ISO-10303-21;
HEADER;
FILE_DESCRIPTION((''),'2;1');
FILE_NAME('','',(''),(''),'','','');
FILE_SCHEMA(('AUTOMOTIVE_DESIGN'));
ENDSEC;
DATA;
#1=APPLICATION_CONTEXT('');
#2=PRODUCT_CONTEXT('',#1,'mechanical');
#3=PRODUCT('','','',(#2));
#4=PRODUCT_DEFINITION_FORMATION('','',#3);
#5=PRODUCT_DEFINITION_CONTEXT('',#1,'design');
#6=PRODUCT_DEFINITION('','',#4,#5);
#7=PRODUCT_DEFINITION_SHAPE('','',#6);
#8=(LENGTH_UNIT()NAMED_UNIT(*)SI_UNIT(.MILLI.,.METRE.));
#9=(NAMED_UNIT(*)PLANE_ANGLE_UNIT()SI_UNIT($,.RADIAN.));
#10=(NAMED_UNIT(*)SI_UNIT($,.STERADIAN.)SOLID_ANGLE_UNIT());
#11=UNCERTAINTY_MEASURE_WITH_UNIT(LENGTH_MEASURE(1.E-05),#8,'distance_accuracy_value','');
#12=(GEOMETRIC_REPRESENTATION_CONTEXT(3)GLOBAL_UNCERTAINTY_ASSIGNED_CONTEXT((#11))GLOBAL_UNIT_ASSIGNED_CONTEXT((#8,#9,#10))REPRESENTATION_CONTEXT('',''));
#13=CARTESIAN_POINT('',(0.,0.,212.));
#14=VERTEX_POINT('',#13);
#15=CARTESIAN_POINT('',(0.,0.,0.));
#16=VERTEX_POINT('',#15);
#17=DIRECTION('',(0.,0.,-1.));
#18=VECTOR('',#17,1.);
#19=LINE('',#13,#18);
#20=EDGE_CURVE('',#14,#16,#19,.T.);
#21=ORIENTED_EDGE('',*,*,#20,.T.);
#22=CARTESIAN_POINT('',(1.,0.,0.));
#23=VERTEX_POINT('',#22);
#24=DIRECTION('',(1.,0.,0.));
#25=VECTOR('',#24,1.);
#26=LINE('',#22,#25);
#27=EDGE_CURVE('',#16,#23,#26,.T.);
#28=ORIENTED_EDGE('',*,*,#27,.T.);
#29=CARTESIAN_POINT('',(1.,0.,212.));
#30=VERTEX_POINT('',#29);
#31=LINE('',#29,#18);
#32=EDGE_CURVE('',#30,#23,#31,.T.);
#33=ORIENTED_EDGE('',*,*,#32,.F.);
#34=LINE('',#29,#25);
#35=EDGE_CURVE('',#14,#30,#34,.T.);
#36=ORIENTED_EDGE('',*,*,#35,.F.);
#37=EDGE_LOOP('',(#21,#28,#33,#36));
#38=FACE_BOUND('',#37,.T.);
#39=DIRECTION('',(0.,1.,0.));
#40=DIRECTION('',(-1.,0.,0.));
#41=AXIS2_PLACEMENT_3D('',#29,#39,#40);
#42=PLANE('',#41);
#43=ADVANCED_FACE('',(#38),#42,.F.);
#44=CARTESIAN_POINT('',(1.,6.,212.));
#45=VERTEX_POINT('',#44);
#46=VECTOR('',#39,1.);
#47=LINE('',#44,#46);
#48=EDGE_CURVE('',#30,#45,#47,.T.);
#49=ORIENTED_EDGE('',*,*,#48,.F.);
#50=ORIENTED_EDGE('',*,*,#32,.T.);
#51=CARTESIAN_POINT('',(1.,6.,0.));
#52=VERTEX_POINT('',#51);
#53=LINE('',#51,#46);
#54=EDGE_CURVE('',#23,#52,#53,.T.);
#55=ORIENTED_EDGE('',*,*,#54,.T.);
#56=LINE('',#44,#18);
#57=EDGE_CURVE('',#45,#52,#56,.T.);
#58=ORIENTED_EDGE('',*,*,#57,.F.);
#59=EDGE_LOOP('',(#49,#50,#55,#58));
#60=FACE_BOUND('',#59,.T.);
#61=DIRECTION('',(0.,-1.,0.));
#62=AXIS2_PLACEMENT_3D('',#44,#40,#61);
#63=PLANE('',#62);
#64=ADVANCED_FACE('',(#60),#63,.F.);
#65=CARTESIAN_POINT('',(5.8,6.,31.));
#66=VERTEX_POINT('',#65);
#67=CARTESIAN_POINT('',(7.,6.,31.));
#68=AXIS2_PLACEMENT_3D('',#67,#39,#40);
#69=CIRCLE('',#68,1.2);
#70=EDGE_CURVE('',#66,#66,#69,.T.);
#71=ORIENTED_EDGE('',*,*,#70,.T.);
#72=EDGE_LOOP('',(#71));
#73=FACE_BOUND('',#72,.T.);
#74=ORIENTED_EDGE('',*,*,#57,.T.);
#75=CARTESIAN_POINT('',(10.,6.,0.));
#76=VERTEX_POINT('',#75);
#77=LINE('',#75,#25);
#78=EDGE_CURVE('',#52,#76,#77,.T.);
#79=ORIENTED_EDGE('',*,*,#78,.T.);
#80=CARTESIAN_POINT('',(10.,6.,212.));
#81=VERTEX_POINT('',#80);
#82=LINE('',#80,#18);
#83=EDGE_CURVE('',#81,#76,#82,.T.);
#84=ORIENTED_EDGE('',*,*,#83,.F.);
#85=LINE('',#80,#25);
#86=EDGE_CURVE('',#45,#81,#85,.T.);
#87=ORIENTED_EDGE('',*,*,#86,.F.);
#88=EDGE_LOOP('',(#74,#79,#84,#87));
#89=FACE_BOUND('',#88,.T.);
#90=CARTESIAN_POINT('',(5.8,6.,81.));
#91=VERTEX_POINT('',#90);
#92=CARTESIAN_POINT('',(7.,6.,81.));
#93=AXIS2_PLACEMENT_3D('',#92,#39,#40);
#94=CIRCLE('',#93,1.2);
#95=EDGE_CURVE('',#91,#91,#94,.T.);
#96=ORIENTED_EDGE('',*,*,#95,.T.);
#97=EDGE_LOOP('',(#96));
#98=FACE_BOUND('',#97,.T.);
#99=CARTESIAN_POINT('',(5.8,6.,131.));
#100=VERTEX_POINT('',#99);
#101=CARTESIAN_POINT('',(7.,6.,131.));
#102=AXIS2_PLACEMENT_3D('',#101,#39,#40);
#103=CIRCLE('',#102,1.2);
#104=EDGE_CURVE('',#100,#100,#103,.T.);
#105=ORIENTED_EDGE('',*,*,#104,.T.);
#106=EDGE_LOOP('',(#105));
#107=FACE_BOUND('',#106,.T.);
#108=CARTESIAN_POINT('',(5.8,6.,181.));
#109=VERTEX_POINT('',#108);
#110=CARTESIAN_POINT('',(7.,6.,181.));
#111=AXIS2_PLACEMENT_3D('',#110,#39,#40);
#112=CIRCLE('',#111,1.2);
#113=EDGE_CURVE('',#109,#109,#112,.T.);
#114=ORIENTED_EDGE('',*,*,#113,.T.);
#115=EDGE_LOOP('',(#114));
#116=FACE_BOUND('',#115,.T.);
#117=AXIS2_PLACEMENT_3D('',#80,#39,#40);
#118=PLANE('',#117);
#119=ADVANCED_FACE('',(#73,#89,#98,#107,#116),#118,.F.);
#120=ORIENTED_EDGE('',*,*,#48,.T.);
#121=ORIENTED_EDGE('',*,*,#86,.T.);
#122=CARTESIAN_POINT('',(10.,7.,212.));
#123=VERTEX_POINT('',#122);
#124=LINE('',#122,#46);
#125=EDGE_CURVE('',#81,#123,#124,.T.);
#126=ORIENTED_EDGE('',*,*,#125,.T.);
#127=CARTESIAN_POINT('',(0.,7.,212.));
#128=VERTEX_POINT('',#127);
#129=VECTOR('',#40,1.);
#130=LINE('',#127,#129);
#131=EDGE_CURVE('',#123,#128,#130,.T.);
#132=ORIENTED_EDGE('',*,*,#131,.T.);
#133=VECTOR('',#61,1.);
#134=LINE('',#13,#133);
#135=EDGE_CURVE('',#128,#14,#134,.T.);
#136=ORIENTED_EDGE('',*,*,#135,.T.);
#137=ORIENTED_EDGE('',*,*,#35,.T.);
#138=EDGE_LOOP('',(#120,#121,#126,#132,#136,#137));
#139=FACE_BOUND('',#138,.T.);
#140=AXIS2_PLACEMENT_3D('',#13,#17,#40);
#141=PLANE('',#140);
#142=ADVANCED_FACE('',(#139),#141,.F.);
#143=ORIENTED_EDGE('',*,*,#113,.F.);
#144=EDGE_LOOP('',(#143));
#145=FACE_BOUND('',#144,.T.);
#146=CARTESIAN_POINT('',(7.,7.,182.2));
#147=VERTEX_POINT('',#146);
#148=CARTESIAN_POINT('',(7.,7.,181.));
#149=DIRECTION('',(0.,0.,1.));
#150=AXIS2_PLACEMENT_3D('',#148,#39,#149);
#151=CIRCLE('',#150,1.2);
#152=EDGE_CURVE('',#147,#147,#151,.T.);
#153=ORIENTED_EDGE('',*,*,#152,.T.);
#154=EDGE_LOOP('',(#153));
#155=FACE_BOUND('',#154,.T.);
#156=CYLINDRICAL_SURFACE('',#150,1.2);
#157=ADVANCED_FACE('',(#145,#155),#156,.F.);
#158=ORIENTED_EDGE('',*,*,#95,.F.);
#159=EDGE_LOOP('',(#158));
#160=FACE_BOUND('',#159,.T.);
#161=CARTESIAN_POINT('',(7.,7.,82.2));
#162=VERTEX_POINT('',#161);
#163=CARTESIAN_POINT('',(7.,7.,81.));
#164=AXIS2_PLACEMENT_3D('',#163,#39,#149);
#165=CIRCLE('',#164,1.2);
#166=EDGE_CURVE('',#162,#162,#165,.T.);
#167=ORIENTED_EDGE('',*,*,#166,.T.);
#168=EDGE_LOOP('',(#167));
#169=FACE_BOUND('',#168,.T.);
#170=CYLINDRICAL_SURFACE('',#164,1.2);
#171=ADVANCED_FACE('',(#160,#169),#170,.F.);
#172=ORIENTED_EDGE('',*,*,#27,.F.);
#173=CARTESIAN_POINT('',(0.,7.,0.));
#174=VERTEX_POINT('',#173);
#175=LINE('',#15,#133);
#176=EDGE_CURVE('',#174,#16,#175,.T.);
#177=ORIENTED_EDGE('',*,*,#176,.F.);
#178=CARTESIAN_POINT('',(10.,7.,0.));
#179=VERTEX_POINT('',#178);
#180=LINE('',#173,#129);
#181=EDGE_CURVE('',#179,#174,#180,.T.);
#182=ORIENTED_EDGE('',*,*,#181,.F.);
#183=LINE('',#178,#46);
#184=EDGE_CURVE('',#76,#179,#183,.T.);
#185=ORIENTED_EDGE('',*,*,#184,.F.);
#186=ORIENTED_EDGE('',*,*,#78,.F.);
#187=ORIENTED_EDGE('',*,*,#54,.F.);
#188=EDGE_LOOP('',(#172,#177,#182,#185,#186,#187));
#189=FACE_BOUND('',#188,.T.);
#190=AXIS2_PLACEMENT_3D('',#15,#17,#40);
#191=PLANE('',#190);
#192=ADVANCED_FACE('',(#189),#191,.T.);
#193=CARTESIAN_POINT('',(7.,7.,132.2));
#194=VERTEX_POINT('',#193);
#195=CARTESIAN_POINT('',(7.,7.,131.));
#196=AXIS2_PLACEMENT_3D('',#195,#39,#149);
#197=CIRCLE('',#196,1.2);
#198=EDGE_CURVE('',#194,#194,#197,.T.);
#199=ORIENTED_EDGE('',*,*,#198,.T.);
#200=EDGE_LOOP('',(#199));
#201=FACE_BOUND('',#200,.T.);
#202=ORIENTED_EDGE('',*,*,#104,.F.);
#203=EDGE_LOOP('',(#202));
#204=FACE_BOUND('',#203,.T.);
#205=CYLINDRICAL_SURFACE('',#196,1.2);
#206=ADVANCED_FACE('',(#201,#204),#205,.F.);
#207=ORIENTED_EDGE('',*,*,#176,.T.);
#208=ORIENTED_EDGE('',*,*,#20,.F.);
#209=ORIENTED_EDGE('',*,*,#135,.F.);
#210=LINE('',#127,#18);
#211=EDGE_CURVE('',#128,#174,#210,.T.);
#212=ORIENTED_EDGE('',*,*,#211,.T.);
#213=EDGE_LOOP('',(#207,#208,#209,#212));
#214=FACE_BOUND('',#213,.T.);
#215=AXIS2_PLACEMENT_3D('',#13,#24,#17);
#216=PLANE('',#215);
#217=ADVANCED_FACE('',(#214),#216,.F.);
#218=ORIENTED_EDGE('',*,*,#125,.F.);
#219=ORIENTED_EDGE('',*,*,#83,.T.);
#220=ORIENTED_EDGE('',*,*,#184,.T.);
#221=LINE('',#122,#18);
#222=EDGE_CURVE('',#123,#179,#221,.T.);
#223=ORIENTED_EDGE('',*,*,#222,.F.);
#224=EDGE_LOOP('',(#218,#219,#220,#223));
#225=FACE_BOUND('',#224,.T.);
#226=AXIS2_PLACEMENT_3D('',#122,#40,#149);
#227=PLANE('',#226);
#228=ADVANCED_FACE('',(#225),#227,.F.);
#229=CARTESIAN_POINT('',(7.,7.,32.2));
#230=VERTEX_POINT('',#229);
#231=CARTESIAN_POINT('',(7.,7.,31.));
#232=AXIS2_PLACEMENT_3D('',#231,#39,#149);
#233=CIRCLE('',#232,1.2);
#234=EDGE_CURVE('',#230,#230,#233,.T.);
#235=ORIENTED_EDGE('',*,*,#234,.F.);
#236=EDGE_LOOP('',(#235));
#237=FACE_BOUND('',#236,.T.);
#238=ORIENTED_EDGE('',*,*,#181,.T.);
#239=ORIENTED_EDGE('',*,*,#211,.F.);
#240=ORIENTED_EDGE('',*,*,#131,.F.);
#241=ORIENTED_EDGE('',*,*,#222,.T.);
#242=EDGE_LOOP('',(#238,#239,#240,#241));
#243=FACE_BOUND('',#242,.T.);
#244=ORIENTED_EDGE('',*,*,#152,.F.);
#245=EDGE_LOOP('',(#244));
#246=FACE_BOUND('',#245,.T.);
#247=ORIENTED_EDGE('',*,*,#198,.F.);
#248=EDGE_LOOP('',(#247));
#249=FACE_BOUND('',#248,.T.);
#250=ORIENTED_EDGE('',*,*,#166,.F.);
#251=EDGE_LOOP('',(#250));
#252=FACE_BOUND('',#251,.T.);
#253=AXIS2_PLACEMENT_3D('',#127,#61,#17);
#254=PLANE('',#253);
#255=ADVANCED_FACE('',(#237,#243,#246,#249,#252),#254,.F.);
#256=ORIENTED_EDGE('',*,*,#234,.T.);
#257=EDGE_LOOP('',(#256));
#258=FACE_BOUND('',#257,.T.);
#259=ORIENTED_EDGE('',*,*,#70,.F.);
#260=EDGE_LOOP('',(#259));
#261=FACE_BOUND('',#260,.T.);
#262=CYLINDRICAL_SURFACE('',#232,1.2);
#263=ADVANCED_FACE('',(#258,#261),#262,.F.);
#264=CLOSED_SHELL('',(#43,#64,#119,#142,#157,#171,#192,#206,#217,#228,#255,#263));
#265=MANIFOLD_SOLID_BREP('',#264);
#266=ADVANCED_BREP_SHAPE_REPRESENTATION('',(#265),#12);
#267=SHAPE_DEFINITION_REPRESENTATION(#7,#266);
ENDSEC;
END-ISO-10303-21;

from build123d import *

# Parameters (mm, degrees)
EXTRUDE_1_DEPTH       = 212
HOLE_WIZARD_M21_D     = 2.4
HOLE_WIZARD_M21_DEPTH = 5
HOLE_WIZARD_M21_TIP   = 0.721032743


with BuildPart() as part:
    # Эскиз1 → Бобышка-Вытянуть1 (new body)
    with BuildSketch(Plane.XY):
        Polygon((0, 0), (0, 7), (10, 7), (10, 6), (1, 6), (1, 0), align=None)
    extrude(amount=EXTRUDE_1_DEPTH)

    # Отверстие с зазором M21
    with Locations(Plane(origin=(0, 7, 0), x_dir=(-1, 0, 0), z_dir=(0, 1, 0))):
        with Locations((-7, 131), (-7, 81), (-7, 31), (-7, 181)):
            Hole(HOLE_WIZARD_M21_D / 2, depth=HOLE_WIZARD_M21_DEPTH)
            with Locations((0, 0, -(HOLE_WIZARD_M21_DEPTH + HOLE_WIZARD_M21_TIP / 2))):  # 118° drill point
                Cone(0, HOLE_WIZARD_M21_D / 2, HOLE_WIZARD_M21_TIP, mode=Mode.SUBTRACT)


solid = part.part
